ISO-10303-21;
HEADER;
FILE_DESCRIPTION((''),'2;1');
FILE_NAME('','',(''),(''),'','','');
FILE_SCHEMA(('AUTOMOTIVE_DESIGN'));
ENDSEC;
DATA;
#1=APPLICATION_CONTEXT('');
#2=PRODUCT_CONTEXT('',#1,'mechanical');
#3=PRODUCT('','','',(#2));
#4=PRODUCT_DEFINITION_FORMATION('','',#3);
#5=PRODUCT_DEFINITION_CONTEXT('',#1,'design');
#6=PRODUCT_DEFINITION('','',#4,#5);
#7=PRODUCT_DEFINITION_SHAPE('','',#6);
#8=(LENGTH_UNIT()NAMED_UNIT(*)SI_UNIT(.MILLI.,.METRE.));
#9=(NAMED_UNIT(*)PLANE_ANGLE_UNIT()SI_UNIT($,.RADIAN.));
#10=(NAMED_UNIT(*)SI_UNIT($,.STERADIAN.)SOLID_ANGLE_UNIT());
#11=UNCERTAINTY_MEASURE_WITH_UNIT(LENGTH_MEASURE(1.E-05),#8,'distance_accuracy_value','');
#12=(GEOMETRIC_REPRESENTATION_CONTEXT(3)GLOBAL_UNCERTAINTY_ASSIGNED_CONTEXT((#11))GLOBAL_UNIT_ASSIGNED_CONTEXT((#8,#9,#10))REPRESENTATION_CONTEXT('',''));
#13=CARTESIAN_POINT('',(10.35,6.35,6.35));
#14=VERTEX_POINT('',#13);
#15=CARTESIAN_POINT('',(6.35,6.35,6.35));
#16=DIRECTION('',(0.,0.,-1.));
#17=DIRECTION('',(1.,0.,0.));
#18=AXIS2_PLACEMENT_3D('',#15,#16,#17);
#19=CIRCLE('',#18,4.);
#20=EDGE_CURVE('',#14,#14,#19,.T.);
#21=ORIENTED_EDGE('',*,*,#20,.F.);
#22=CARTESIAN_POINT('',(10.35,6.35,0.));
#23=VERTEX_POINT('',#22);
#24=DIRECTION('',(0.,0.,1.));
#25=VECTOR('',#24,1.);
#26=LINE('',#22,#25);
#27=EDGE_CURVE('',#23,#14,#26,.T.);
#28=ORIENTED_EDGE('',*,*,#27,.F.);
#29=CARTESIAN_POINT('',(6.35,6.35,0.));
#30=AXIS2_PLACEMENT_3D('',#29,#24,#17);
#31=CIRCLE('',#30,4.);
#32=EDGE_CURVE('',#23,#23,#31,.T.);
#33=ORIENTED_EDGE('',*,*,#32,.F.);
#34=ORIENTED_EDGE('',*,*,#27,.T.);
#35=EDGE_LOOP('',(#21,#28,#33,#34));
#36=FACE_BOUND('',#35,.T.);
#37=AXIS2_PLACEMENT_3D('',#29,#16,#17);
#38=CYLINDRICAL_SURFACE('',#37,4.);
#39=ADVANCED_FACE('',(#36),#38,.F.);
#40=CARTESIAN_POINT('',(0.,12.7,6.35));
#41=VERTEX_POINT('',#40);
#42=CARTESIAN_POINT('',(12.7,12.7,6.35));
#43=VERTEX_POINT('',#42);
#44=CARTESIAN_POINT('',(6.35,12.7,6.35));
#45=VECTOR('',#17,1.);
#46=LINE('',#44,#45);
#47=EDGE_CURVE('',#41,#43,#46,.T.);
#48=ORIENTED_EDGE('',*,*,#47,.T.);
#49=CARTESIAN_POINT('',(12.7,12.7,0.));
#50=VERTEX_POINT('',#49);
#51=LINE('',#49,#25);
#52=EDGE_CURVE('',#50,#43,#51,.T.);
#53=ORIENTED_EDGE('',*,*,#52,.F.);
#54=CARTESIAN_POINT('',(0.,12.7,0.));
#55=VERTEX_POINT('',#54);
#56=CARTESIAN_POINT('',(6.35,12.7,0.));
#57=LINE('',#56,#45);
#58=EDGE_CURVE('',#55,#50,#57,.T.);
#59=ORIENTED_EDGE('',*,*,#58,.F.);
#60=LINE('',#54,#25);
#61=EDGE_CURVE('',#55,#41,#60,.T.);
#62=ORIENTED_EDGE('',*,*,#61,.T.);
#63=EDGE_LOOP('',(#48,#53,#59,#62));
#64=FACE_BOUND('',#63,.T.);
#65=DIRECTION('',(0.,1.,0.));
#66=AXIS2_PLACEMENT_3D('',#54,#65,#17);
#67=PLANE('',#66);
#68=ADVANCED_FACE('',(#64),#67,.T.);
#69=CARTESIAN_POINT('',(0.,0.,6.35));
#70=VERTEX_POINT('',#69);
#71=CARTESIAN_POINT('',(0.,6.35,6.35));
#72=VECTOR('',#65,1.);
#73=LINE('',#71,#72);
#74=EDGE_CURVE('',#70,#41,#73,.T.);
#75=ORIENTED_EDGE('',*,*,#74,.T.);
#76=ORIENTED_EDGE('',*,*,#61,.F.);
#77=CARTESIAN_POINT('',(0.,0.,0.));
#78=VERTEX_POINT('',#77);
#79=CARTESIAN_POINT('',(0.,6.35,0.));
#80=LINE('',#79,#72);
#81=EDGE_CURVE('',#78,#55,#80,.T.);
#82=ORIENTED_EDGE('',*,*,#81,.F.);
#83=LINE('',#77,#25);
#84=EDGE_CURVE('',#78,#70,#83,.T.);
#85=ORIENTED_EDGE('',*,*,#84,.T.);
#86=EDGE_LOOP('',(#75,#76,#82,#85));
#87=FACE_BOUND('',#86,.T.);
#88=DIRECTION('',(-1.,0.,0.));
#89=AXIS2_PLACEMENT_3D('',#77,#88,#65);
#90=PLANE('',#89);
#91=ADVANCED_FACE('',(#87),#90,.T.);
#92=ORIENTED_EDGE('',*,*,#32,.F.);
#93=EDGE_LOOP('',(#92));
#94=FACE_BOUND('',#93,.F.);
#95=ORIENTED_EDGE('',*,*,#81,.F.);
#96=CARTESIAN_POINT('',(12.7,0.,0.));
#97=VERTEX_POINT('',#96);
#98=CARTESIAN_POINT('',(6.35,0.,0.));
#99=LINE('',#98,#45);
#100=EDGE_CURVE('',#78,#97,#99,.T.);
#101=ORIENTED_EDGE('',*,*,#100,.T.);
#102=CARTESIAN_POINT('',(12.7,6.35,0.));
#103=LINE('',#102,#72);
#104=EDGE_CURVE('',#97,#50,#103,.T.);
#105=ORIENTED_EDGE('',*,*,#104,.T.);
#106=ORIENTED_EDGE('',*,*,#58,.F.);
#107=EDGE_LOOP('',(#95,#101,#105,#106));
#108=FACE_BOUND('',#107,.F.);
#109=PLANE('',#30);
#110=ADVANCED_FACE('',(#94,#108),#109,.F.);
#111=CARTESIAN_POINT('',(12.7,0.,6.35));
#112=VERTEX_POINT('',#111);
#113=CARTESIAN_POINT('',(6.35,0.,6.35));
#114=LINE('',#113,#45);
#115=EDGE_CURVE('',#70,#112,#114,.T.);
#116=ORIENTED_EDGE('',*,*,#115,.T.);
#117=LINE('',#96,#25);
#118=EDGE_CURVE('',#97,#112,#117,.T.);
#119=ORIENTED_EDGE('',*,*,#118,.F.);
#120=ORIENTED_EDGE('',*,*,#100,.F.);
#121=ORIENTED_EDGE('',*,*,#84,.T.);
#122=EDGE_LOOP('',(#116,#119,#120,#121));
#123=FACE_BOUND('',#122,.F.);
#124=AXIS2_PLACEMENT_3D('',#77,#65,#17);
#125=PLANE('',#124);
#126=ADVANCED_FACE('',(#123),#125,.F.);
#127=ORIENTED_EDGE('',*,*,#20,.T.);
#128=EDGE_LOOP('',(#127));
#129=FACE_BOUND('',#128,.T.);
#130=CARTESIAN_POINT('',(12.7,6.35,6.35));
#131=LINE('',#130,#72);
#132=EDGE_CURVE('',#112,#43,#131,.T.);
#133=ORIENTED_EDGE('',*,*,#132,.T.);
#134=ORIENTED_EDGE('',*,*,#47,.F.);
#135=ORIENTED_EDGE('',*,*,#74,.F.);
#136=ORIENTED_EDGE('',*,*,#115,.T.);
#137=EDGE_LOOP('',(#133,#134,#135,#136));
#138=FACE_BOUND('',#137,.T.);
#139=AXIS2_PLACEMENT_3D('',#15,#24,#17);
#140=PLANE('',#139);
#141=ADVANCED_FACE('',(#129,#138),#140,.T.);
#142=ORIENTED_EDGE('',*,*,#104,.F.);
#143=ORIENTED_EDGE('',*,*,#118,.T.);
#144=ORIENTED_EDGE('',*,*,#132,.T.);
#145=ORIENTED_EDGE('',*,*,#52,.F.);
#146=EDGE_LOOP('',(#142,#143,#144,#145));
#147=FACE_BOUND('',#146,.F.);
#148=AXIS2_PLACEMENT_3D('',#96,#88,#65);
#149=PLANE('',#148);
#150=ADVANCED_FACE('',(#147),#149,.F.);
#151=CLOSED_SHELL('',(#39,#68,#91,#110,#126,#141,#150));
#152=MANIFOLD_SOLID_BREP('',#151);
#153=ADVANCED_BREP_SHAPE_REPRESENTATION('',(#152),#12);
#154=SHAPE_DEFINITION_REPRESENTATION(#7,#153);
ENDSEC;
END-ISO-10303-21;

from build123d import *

# Parameters (mm, degrees)
CYLINDER033_R     = 4
CYLINDER033_DEPTH = 10
BOX012_W          = 12.7
BOX012_H          = 12.7
BOX012_DEPTH      = 6.35


with BuildPart() as cylinder033:
    # Cylinder033 → Cylinder033 (new body)
    with BuildSketch(Plane(origin=(6.35, 6.35, 0), x_dir=(1, 0, 0), z_dir=(0, 0, 1))):
        Circle(CYLINDER033_R)
    extrude(amount=CYLINDER033_DEPTH)


with BuildPart() as m8_nut:
    # Box012 → Box012 (new body)
    with BuildSketch(Plane.XY):
        with Locations((6.35, 6.35)):
            Rectangle(BOX012_W, BOX012_H)
    extrude(amount=BOX012_DEPTH)

    # Cut010: cut Cylinder033
    add(cylinder033.part, mode=Mode.SUBTRACT)


solid = m8_nut.part
